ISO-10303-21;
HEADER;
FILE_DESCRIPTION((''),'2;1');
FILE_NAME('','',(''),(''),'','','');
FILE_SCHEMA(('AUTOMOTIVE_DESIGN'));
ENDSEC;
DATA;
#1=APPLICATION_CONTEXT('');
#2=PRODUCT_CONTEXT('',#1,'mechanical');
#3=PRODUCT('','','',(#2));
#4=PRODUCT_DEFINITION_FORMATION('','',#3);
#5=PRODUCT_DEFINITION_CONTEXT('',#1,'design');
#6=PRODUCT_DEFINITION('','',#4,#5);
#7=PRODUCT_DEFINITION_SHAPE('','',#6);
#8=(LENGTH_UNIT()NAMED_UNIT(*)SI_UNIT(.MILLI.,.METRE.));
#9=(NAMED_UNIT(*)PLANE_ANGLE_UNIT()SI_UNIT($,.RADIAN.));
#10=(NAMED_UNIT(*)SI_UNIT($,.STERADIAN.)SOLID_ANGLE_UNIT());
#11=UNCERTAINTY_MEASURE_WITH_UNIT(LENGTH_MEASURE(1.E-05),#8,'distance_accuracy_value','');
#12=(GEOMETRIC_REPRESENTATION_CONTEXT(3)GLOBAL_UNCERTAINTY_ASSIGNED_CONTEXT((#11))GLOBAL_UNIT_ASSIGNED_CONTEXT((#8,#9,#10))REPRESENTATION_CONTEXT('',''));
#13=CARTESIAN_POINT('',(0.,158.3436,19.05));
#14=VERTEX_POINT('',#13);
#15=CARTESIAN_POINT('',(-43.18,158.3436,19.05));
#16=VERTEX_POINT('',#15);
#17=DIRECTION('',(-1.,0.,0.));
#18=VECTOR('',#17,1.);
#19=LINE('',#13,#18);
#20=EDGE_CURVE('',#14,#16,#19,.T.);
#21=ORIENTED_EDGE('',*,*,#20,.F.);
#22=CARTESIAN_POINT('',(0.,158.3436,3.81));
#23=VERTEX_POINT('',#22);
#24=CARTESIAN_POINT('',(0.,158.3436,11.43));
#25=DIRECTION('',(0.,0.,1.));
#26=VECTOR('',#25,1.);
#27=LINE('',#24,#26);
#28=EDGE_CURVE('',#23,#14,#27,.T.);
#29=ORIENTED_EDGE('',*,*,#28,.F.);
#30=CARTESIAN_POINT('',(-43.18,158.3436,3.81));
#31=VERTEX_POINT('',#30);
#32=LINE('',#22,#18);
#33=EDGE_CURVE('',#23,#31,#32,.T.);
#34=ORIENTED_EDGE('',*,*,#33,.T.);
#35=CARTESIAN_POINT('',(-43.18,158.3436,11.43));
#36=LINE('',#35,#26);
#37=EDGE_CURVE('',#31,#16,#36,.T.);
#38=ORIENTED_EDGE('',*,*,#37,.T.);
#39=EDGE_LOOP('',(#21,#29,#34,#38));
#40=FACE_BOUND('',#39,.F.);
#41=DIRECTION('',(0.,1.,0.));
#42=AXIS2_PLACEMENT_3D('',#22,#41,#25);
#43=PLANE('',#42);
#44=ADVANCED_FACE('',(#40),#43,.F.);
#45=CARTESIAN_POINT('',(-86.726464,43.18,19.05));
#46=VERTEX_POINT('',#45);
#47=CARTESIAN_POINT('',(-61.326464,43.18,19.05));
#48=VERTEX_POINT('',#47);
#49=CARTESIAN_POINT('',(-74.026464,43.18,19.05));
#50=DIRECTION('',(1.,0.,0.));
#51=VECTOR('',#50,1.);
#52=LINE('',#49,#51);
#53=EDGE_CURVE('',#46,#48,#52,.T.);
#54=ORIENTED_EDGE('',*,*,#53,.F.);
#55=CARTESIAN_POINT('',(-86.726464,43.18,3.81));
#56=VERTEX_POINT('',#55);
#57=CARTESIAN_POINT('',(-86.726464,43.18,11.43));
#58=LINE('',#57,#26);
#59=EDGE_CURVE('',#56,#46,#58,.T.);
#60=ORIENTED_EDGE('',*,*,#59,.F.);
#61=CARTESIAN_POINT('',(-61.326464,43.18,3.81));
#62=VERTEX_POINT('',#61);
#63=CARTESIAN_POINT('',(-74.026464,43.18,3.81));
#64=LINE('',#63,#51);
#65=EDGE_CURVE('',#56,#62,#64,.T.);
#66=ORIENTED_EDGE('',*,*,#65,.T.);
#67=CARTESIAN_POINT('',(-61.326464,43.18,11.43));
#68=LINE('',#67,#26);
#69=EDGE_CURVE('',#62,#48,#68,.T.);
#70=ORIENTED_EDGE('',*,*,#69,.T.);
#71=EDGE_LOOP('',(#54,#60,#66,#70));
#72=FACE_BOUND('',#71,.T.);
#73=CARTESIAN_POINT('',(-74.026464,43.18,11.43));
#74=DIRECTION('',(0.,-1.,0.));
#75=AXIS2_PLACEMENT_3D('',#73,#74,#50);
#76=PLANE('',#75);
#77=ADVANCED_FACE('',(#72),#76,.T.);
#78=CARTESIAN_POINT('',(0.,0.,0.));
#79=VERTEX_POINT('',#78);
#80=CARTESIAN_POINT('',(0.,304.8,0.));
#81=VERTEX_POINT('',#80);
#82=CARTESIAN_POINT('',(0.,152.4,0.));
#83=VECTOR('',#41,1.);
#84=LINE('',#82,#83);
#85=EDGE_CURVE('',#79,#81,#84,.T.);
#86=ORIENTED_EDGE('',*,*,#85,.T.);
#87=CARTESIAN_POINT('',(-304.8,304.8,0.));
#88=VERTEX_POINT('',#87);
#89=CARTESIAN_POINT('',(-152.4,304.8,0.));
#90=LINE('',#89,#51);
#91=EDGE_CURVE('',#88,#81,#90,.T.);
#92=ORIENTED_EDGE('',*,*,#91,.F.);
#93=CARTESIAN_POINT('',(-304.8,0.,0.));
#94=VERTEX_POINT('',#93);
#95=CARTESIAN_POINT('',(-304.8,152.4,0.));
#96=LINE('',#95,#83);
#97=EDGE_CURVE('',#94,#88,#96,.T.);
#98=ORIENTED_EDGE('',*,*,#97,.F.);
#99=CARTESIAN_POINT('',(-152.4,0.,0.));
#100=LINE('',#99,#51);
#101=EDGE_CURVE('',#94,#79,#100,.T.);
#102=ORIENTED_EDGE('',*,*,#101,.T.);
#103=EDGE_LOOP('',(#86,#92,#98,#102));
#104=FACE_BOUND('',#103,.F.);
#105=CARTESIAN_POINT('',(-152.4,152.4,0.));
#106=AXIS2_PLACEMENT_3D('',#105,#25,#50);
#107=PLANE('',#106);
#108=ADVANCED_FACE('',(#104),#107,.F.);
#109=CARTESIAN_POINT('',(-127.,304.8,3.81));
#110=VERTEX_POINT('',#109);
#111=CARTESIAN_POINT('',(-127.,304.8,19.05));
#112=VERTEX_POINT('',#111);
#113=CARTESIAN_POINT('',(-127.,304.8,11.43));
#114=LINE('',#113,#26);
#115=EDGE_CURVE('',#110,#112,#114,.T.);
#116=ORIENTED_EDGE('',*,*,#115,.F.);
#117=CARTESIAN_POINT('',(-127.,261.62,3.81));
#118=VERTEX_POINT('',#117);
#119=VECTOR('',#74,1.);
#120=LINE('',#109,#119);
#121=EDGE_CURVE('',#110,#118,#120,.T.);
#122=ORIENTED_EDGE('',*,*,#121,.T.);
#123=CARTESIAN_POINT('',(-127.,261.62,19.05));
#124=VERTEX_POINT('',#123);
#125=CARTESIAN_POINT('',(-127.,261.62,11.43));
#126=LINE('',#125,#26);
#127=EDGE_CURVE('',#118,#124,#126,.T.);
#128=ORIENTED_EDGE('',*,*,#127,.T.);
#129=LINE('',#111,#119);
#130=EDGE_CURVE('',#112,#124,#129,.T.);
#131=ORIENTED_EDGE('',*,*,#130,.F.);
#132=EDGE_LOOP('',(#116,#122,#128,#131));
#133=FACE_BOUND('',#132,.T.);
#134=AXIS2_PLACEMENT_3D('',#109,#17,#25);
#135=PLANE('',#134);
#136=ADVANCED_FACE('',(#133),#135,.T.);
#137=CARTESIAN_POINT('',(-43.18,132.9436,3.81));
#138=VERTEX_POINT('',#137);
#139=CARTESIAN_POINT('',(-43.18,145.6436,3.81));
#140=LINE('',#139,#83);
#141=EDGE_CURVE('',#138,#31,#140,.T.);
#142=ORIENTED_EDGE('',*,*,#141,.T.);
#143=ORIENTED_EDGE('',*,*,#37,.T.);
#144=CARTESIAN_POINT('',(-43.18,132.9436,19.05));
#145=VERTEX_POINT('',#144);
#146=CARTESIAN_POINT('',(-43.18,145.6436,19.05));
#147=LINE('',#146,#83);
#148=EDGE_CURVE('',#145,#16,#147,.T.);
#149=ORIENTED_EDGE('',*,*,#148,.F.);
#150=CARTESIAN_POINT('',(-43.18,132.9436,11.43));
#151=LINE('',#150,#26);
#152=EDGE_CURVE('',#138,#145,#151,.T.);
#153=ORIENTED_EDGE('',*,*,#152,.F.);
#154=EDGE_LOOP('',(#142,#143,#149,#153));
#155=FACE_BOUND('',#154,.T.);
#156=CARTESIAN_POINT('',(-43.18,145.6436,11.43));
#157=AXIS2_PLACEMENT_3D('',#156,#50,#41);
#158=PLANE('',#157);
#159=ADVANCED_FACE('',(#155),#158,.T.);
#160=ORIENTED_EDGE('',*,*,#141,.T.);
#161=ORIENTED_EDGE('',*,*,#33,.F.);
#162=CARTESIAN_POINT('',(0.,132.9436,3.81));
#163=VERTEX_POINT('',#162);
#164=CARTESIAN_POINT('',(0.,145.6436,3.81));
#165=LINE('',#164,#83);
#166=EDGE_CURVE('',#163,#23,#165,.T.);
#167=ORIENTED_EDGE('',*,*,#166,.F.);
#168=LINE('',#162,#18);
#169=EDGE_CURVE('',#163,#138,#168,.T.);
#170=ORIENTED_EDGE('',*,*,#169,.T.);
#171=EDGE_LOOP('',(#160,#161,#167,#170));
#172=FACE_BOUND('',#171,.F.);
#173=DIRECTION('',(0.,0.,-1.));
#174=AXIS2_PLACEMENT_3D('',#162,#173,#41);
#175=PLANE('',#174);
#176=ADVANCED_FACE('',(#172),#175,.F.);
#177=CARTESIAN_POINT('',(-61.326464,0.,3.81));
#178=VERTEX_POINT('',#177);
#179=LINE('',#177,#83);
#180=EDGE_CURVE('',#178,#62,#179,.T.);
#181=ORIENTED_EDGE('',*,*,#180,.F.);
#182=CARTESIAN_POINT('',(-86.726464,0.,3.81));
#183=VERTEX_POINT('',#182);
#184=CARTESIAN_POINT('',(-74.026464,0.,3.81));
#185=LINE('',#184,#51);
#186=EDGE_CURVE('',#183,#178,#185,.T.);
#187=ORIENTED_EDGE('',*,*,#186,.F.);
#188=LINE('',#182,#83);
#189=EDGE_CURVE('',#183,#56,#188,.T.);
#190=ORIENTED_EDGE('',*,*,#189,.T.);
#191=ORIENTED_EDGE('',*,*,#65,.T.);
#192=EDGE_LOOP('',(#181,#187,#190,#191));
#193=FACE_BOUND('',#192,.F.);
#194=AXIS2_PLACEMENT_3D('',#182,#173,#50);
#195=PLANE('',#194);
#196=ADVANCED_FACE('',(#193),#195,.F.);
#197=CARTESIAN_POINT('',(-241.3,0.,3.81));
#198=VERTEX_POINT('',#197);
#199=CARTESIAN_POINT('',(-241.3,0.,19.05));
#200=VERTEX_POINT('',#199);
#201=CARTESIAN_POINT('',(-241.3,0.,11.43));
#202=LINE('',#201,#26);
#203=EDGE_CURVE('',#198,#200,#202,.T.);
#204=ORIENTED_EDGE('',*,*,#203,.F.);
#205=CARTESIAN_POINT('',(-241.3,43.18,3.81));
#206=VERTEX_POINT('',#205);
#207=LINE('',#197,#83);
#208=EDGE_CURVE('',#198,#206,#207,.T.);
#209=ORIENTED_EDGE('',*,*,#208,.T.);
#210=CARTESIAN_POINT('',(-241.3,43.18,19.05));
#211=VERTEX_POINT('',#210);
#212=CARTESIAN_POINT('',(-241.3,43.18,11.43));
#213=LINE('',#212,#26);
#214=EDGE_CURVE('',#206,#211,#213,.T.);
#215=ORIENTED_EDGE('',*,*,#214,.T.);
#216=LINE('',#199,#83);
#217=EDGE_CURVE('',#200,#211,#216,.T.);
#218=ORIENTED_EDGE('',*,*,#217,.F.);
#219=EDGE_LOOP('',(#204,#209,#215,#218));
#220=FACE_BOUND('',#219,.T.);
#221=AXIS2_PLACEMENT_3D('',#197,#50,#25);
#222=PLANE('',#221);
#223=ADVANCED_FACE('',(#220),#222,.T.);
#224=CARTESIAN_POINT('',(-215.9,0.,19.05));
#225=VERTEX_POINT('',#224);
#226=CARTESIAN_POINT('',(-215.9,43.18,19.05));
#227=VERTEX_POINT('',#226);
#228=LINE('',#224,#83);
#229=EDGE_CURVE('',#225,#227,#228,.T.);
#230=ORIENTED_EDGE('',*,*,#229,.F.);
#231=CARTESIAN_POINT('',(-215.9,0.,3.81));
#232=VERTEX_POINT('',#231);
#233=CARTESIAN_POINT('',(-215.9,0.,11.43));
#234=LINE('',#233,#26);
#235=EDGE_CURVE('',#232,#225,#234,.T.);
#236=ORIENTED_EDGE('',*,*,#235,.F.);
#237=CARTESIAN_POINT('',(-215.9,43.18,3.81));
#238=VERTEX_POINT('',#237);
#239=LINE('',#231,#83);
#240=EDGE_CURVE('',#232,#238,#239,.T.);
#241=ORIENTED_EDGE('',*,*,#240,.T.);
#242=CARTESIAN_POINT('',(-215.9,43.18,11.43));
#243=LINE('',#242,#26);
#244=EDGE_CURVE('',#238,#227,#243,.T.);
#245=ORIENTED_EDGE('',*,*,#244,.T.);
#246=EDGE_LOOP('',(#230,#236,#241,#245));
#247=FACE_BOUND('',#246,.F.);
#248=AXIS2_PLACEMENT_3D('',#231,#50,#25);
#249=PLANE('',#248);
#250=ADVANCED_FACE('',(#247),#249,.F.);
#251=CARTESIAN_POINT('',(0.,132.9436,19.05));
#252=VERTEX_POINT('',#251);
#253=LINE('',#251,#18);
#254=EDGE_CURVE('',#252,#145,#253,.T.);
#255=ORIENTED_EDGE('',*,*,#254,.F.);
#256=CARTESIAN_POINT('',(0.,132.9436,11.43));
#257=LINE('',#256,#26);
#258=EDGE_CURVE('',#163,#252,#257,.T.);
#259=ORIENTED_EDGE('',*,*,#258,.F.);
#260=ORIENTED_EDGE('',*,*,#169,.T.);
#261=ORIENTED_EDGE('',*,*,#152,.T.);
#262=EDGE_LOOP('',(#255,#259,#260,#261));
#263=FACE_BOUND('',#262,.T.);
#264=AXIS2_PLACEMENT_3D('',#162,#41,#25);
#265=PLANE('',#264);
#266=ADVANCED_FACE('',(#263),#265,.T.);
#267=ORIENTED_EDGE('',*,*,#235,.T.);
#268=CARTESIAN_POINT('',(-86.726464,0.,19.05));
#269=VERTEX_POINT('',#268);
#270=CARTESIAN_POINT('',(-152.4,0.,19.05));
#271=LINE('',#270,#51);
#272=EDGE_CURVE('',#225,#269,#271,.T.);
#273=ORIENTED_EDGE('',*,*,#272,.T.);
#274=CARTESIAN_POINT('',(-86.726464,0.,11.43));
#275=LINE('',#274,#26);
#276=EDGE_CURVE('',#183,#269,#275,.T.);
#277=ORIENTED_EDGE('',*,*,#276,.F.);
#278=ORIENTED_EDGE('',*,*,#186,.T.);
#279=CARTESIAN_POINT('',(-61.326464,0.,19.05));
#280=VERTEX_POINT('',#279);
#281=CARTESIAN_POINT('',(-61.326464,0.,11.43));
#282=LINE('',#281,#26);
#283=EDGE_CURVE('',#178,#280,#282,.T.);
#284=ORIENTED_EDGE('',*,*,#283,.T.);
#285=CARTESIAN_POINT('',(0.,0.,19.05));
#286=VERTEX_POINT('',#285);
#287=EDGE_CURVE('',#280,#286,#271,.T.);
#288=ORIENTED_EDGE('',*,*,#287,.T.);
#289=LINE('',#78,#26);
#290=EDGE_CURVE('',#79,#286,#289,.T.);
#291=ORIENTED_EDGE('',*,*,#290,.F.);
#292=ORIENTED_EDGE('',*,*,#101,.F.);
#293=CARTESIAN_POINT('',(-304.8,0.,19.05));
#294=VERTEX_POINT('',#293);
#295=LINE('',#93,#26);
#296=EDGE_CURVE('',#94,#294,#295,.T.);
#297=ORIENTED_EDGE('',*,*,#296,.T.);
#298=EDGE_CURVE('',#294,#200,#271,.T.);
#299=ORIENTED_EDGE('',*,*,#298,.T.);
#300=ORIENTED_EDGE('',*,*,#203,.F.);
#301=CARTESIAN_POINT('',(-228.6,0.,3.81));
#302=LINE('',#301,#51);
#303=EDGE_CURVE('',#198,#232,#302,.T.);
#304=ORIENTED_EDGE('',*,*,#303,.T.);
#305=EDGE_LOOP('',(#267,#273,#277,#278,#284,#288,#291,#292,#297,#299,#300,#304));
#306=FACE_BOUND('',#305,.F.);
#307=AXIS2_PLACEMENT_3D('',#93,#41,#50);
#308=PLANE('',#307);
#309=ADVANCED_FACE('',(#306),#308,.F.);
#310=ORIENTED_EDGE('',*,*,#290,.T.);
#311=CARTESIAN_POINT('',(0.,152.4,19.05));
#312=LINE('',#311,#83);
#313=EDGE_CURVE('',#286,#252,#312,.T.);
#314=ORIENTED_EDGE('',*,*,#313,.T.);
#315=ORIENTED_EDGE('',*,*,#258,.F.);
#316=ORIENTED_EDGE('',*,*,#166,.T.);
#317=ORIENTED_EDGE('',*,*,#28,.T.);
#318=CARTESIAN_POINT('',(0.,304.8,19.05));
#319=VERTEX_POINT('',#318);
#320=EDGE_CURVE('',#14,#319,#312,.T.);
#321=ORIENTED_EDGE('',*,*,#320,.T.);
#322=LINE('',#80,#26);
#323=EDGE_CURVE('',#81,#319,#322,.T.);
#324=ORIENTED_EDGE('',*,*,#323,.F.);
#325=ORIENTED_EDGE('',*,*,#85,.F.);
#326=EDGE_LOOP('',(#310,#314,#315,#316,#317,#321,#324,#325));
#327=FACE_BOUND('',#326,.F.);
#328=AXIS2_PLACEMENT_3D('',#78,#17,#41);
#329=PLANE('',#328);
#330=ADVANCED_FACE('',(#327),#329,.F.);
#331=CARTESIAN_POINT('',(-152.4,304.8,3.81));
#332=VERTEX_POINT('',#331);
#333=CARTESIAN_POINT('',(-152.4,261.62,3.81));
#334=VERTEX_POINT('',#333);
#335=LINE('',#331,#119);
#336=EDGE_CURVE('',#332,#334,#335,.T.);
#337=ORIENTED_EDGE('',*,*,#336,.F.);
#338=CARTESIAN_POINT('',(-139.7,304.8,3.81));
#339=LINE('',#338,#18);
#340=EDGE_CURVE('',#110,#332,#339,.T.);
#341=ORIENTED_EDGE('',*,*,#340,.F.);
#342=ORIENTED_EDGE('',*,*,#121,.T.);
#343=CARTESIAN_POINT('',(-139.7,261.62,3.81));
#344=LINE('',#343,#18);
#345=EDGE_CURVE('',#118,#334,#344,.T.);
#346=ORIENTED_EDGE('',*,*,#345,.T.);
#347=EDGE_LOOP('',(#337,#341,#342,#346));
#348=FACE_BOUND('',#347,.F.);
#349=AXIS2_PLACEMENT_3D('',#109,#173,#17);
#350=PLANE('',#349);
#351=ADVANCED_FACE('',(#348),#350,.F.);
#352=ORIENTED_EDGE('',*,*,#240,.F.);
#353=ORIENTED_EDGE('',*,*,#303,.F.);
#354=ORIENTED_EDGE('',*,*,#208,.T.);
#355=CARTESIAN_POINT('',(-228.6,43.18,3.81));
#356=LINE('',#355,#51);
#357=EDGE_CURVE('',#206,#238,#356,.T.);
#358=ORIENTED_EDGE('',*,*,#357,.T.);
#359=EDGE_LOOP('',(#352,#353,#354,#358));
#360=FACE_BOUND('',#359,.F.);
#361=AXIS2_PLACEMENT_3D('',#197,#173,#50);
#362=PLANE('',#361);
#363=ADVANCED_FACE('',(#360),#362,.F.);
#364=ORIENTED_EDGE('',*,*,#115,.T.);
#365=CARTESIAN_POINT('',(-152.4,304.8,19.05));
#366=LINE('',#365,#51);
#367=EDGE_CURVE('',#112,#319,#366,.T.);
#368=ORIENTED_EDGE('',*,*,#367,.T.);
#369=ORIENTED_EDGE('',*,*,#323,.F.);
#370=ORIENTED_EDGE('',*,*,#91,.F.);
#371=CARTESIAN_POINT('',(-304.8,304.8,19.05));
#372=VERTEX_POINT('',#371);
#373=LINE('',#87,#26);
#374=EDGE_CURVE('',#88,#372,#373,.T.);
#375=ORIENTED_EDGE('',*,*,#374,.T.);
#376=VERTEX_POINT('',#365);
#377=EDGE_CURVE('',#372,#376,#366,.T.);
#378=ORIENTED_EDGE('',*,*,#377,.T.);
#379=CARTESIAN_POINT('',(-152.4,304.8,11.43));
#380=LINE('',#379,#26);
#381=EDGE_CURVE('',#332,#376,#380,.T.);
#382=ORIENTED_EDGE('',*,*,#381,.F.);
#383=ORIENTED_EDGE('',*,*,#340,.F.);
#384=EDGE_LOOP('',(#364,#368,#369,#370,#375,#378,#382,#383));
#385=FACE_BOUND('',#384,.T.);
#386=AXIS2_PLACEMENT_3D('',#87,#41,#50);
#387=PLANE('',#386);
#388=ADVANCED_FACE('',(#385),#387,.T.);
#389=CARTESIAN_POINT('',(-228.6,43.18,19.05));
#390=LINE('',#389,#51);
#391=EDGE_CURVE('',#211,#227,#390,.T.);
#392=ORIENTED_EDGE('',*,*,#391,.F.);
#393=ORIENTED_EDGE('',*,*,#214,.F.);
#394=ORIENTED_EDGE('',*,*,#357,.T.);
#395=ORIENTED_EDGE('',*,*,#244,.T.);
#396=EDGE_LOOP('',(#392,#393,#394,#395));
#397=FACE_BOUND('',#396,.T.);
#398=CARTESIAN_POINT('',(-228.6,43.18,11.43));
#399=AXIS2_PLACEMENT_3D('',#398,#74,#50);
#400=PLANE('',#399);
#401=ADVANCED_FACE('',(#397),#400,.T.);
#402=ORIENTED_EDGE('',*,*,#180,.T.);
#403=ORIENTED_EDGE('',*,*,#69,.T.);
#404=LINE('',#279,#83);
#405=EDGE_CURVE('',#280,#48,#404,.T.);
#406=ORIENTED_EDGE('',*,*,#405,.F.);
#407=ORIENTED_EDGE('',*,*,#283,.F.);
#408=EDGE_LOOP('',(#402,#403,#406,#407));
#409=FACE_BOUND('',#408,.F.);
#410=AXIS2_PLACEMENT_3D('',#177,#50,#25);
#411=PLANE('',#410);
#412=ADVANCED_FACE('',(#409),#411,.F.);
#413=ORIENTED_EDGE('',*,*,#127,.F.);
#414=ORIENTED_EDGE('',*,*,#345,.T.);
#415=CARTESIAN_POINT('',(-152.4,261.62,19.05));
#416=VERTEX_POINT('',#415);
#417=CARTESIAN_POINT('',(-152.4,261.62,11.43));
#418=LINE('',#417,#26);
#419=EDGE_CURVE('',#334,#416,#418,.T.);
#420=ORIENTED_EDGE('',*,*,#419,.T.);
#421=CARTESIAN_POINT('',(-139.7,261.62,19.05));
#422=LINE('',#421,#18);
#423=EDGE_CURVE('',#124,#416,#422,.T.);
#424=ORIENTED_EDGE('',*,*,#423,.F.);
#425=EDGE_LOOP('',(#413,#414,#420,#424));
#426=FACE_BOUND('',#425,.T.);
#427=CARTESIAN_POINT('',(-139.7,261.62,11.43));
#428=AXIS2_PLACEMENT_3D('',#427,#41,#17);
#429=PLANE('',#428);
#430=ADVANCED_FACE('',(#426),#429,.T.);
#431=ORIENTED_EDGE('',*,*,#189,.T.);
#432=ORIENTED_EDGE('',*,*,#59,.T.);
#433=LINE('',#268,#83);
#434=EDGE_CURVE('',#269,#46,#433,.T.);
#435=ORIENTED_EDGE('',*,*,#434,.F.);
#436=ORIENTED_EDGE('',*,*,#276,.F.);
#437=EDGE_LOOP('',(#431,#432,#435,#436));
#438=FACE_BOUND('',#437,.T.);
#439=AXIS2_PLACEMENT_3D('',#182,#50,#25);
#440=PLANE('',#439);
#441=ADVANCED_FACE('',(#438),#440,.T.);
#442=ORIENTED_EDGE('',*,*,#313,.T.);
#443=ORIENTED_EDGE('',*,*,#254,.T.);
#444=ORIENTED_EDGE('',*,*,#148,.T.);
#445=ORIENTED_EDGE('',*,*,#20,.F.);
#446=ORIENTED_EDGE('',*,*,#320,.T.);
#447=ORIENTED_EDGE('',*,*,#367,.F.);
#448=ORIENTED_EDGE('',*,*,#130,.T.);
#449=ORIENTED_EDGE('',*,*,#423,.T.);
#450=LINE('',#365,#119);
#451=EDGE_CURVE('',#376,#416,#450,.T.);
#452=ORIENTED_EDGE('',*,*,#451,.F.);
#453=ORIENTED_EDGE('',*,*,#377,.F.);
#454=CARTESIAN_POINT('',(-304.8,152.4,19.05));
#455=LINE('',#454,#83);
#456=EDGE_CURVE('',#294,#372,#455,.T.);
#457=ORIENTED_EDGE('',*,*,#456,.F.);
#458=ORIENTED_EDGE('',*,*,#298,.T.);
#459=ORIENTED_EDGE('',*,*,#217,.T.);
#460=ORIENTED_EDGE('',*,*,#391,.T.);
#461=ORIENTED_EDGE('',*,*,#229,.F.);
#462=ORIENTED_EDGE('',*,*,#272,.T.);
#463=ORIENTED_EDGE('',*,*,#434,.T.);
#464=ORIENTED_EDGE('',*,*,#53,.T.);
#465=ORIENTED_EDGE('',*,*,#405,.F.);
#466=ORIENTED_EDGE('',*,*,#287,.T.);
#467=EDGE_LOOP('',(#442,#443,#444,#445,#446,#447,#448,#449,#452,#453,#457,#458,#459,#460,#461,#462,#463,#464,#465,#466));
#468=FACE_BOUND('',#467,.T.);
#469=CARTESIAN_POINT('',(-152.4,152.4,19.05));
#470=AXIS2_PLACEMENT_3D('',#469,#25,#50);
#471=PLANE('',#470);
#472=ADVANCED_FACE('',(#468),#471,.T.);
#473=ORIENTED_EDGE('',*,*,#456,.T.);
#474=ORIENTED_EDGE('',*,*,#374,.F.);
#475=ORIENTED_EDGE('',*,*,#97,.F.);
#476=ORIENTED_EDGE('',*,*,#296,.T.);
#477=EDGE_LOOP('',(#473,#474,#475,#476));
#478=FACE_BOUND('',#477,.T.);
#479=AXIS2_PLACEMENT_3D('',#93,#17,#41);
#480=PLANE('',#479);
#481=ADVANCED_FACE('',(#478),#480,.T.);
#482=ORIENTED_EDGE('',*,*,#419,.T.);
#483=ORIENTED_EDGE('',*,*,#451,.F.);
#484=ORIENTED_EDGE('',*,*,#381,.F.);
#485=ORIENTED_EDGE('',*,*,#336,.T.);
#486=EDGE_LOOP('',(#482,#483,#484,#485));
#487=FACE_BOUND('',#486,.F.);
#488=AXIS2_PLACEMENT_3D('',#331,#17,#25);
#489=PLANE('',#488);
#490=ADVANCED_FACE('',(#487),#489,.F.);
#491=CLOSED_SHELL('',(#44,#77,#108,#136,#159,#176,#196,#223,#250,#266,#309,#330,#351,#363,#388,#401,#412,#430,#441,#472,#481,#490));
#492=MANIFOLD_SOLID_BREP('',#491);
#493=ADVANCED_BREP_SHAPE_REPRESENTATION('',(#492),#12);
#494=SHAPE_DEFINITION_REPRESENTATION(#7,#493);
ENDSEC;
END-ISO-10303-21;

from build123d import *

# Parameters (mm, degrees)
F0_W     = 304.8
F0_H     = 304.8
F1_DEPTH = 19.05
F2_W     = 25.4
F2_H     = 15.24
F3_DEPTH = 43.18
F4_W     = 25.4
F4_H     = 15.24
F5_DEPTH = 43.18
F6_W     = 25.4
F6_H     = 15.24
F7_DEPTH = 43.18
F8_W     = 25.4
F8_H     = 15.24
F9_DEPTH = 43.18


with BuildPart() as f1:
    # F0 (on Top) → F1 (new body)
    with BuildSketch(Plane.XY):
        with Locations((-152.4, 152.4)):
            Rectangle(F0_W, F0_H)
    extrude(amount=F1_DEPTH)

    # F2 (on face) → F3 (cut)
    with BuildSketch(Plane.XZ):
        with Locations((-228.6, 11.43)):
            Rectangle(F2_W, F2_H)
    extrude(amount=-F3_DEPTH, mode=Mode.SUBTRACT)

    # F4 (on face) → F5 (cut)
    with BuildSketch(Plane.XZ):
        with Locations((-74.026464, 11.43)):
            Rectangle(F4_W, F4_H)
    extrude(amount=-F5_DEPTH, mode=Mode.SUBTRACT)

    # F6 (on face) → F7 (cut)
    with BuildSketch(Plane(origin=(0, 304.8, 0), x_dir=(-1, 0, 0), z_dir=(0, 1, 0))):
        with Locations((139.7, 11.43)):
            Rectangle(F6_W, F6_H)
    extrude(amount=-F7_DEPTH, mode=Mode.SUBTRACT)

    # F8 (on face) → F9 (cut)
    with BuildSketch(Plane.YZ):
        with Locations((145.6436, 11.43)):
            Rectangle(F8_W, F8_H)
    extrude(amount=-F9_DEPTH, mode=Mode.SUBTRACT)


solid = f1.part
